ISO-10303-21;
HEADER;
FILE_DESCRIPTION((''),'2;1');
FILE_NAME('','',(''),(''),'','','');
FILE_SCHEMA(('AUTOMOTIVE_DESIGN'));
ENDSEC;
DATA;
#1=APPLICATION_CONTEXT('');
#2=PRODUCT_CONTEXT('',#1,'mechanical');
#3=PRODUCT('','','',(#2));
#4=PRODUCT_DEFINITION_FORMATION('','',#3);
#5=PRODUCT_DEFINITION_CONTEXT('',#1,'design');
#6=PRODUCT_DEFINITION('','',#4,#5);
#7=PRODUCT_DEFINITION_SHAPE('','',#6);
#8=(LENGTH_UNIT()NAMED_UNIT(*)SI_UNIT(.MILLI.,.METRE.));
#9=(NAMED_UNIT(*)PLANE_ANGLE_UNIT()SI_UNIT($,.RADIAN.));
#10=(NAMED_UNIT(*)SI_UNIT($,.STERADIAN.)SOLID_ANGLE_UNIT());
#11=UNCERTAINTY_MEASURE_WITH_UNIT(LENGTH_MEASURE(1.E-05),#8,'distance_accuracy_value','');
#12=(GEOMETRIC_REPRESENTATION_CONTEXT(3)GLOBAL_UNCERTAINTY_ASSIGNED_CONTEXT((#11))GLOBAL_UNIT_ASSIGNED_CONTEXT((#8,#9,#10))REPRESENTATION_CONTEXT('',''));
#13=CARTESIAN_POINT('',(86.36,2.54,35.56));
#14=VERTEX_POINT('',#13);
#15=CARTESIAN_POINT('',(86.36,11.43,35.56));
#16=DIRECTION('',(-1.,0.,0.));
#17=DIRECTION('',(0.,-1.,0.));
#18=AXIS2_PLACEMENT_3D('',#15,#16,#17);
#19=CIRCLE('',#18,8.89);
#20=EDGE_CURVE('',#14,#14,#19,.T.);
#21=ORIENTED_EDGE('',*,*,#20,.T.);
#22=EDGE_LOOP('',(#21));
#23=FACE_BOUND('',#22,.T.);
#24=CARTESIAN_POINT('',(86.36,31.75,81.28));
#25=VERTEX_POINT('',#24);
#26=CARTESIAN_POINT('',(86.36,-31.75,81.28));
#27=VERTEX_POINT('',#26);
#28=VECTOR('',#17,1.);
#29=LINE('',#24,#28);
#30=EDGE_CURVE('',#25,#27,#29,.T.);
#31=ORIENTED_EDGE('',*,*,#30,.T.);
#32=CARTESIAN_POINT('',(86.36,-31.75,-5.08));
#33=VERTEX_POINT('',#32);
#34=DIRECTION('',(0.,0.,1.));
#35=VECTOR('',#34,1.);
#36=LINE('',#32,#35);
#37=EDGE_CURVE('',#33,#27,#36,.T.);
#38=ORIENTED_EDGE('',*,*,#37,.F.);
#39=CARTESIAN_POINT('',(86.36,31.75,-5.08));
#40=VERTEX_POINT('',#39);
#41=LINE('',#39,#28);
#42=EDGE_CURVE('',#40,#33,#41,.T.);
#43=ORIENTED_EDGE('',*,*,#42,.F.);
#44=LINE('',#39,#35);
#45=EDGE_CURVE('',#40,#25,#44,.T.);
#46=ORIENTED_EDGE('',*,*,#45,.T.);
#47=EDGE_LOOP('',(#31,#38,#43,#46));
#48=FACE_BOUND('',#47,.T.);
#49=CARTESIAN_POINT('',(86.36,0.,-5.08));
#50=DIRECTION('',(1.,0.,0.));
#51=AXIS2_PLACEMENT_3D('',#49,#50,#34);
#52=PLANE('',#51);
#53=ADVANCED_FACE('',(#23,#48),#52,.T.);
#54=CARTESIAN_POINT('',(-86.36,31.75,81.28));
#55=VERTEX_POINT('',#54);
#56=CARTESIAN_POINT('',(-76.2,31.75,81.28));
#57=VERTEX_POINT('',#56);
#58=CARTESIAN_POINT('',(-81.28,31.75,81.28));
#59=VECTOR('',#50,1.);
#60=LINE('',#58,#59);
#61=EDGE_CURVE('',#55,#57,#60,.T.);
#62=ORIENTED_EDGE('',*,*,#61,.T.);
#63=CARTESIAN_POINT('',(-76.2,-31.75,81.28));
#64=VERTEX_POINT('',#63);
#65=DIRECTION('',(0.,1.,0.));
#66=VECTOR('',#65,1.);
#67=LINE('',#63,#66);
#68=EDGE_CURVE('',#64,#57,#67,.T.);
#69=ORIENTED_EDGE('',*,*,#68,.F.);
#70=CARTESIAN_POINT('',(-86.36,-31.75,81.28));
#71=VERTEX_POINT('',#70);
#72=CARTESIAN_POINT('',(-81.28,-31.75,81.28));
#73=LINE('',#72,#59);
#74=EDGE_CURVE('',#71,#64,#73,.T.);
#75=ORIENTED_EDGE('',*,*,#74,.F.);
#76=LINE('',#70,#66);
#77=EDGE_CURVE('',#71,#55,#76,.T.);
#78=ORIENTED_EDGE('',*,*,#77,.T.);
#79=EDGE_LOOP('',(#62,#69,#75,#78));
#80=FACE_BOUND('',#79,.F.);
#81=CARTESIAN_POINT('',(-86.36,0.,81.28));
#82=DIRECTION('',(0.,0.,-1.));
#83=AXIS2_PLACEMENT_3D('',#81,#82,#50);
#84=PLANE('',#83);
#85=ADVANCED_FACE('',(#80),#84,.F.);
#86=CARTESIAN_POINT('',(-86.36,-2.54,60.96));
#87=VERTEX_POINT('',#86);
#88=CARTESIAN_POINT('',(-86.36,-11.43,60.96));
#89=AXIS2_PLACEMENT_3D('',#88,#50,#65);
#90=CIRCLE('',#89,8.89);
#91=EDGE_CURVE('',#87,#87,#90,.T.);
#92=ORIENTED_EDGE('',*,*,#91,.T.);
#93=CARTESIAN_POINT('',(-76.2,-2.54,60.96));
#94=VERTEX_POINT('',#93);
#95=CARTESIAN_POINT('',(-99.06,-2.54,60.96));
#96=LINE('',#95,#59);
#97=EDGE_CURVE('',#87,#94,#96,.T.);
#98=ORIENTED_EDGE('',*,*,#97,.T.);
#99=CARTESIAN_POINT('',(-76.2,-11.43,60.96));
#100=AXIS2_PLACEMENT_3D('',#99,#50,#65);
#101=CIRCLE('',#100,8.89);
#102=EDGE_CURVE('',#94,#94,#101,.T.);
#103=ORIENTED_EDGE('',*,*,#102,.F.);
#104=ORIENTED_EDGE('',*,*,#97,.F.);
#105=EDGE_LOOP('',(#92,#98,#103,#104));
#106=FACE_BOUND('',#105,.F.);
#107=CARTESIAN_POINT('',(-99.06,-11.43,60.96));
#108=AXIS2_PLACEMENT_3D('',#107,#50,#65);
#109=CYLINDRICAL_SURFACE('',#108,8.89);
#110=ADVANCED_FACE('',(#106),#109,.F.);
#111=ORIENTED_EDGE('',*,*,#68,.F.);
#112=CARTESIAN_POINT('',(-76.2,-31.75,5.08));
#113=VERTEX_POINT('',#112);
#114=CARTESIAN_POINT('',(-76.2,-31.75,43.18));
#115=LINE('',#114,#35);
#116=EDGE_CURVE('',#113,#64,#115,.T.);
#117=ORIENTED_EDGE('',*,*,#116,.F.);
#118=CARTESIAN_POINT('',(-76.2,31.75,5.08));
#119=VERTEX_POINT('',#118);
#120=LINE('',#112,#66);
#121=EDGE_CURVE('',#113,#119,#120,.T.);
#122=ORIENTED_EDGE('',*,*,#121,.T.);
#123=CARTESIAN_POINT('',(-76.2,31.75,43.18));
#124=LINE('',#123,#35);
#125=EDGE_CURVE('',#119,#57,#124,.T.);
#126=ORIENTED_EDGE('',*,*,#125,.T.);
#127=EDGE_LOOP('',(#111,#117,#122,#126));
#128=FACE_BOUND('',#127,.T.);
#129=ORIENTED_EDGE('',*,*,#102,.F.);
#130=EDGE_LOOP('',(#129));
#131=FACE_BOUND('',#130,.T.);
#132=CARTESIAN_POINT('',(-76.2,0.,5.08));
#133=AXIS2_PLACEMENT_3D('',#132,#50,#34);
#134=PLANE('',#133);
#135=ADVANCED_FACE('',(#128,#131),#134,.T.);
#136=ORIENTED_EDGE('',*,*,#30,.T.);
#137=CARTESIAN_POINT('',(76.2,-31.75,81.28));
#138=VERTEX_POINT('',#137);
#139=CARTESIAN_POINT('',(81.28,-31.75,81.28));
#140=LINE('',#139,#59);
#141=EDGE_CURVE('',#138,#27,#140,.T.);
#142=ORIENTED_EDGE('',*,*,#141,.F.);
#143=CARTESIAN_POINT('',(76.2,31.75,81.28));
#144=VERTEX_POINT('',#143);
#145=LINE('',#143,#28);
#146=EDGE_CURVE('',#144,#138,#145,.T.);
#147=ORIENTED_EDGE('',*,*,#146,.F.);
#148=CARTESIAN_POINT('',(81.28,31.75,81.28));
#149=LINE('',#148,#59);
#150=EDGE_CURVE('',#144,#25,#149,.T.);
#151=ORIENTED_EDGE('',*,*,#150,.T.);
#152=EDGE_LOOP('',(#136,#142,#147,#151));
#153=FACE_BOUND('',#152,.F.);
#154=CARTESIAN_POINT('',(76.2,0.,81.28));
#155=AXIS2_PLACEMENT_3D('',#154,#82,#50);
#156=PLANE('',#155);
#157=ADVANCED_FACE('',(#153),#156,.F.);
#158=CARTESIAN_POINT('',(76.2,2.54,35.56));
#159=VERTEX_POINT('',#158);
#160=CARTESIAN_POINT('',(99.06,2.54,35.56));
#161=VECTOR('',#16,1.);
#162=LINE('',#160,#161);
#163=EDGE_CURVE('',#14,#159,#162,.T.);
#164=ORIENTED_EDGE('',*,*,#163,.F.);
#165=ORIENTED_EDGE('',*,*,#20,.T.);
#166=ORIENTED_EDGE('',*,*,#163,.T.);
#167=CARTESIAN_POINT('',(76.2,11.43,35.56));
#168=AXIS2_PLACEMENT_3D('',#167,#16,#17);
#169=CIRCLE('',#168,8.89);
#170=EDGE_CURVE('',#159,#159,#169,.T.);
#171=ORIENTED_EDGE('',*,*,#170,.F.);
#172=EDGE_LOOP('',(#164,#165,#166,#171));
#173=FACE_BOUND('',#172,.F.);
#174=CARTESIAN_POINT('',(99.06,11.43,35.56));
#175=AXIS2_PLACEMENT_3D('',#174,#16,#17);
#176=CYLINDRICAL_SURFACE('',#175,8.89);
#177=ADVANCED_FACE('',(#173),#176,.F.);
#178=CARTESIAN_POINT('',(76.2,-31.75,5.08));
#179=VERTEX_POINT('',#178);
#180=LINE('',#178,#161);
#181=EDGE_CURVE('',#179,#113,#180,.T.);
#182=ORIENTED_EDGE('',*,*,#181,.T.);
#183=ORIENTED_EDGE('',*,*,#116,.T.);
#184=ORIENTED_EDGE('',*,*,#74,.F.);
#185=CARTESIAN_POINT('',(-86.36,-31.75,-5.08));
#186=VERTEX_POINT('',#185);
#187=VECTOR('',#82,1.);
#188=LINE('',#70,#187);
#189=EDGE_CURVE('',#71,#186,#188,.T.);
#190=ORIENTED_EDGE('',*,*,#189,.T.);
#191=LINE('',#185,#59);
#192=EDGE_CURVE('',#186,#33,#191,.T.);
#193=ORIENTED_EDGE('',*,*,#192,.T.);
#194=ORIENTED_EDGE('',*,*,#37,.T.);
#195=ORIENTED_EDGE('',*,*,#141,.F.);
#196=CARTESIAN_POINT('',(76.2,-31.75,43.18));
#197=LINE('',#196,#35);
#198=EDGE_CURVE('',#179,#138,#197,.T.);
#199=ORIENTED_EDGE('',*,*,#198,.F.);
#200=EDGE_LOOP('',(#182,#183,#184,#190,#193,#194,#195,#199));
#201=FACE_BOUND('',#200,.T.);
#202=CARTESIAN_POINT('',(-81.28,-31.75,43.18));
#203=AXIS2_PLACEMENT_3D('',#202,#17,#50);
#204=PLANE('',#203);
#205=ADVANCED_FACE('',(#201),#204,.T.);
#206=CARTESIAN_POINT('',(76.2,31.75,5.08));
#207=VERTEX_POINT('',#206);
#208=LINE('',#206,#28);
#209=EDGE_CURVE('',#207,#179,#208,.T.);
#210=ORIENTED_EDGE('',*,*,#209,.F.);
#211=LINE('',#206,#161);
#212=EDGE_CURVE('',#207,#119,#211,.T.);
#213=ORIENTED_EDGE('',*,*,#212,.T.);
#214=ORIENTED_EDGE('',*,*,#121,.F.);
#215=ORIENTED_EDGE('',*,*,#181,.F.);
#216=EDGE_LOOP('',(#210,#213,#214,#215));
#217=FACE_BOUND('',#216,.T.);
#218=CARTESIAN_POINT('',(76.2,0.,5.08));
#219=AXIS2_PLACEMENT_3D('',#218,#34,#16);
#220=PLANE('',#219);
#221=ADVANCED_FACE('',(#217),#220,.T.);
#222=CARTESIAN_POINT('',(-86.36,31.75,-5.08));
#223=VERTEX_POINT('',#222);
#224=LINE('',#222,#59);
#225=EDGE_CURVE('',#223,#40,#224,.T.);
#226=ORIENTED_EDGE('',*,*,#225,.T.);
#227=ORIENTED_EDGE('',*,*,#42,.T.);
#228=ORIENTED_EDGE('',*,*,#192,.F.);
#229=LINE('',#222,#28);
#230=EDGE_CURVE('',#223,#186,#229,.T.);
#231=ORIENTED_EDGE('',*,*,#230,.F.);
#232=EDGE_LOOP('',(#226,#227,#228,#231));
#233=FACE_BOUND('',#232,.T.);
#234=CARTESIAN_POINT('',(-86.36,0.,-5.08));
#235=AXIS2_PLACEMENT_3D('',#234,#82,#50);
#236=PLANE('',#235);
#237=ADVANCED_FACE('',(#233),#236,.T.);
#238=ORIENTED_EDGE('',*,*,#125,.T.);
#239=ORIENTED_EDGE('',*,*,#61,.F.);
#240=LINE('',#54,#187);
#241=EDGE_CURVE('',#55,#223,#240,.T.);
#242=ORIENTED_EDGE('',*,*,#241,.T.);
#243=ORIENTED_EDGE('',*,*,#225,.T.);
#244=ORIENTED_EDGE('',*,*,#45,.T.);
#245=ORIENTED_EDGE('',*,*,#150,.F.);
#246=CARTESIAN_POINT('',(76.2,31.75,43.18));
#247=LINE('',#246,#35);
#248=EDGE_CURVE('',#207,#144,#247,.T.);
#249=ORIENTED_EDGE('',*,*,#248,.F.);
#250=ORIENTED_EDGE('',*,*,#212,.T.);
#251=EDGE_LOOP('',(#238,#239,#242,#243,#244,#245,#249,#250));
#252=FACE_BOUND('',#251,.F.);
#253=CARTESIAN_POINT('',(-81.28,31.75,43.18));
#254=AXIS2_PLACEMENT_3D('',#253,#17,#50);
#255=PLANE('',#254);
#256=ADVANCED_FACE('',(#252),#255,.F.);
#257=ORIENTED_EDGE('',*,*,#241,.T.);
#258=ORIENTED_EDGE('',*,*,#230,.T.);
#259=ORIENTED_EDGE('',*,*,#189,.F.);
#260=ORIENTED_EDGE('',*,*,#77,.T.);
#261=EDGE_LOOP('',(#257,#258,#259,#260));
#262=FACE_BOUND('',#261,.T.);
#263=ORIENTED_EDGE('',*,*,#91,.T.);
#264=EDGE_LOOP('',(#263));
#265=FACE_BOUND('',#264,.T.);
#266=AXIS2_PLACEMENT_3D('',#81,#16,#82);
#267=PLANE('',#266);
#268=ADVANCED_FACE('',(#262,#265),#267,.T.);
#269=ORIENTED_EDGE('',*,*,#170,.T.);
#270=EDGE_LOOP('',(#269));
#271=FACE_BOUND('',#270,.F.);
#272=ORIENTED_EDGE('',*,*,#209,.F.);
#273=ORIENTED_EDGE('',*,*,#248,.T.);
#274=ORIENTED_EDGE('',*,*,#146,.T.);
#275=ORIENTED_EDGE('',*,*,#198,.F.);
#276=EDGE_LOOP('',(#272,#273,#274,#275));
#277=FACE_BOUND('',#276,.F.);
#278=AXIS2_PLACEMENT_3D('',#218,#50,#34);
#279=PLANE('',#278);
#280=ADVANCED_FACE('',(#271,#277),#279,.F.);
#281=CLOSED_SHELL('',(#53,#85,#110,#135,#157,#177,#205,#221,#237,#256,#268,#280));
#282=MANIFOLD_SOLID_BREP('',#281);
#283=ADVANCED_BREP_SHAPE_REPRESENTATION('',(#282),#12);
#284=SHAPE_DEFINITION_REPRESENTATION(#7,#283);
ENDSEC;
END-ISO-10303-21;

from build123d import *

# Parameters (mm, degrees)
F0_W     = 10.16
F0_H     = 76.2
F1_DEPTH = 31.75
F3_D     = 17.78
F3_DEPTH = 12.7
F5_D     = 17.78
F5_DEPTH = 12.7


with BuildPart() as f1:
    # F0 (on Front) → F1 (new body, symmetric)
    with BuildSketch(Plane.XZ):
        with Locations((-81.28, 43.18)):
            Rectangle(F0_W, F0_H)
        with Locations((81.28, 43.18)):
            Rectangle(F0_W, F0_H)
        Polygon((-76.2, 5.08), (-86.36, 5.08), (-86.36, -5.08), (86.36, -5.08), (86.36, 5.08), (76.2, 5.08), align=None)
    extrude(amount=F1_DEPTH, both=True)

    # F3
    with Locations(Plane.YZ.offset(86.36)):
        with Locations((11.43, 35.56)):
            Hole(F3_D / 2, depth=F3_DEPTH)

    # F5
    with Locations(Plane(origin=(-86.36, 0, 0), x_dir=(0, -1, 0), z_dir=(-1, 0, 0))):
        with Locations((11.43, 60.96)):
            Hole(F5_D / 2, depth=F5_DEPTH)


solid = f1.part
